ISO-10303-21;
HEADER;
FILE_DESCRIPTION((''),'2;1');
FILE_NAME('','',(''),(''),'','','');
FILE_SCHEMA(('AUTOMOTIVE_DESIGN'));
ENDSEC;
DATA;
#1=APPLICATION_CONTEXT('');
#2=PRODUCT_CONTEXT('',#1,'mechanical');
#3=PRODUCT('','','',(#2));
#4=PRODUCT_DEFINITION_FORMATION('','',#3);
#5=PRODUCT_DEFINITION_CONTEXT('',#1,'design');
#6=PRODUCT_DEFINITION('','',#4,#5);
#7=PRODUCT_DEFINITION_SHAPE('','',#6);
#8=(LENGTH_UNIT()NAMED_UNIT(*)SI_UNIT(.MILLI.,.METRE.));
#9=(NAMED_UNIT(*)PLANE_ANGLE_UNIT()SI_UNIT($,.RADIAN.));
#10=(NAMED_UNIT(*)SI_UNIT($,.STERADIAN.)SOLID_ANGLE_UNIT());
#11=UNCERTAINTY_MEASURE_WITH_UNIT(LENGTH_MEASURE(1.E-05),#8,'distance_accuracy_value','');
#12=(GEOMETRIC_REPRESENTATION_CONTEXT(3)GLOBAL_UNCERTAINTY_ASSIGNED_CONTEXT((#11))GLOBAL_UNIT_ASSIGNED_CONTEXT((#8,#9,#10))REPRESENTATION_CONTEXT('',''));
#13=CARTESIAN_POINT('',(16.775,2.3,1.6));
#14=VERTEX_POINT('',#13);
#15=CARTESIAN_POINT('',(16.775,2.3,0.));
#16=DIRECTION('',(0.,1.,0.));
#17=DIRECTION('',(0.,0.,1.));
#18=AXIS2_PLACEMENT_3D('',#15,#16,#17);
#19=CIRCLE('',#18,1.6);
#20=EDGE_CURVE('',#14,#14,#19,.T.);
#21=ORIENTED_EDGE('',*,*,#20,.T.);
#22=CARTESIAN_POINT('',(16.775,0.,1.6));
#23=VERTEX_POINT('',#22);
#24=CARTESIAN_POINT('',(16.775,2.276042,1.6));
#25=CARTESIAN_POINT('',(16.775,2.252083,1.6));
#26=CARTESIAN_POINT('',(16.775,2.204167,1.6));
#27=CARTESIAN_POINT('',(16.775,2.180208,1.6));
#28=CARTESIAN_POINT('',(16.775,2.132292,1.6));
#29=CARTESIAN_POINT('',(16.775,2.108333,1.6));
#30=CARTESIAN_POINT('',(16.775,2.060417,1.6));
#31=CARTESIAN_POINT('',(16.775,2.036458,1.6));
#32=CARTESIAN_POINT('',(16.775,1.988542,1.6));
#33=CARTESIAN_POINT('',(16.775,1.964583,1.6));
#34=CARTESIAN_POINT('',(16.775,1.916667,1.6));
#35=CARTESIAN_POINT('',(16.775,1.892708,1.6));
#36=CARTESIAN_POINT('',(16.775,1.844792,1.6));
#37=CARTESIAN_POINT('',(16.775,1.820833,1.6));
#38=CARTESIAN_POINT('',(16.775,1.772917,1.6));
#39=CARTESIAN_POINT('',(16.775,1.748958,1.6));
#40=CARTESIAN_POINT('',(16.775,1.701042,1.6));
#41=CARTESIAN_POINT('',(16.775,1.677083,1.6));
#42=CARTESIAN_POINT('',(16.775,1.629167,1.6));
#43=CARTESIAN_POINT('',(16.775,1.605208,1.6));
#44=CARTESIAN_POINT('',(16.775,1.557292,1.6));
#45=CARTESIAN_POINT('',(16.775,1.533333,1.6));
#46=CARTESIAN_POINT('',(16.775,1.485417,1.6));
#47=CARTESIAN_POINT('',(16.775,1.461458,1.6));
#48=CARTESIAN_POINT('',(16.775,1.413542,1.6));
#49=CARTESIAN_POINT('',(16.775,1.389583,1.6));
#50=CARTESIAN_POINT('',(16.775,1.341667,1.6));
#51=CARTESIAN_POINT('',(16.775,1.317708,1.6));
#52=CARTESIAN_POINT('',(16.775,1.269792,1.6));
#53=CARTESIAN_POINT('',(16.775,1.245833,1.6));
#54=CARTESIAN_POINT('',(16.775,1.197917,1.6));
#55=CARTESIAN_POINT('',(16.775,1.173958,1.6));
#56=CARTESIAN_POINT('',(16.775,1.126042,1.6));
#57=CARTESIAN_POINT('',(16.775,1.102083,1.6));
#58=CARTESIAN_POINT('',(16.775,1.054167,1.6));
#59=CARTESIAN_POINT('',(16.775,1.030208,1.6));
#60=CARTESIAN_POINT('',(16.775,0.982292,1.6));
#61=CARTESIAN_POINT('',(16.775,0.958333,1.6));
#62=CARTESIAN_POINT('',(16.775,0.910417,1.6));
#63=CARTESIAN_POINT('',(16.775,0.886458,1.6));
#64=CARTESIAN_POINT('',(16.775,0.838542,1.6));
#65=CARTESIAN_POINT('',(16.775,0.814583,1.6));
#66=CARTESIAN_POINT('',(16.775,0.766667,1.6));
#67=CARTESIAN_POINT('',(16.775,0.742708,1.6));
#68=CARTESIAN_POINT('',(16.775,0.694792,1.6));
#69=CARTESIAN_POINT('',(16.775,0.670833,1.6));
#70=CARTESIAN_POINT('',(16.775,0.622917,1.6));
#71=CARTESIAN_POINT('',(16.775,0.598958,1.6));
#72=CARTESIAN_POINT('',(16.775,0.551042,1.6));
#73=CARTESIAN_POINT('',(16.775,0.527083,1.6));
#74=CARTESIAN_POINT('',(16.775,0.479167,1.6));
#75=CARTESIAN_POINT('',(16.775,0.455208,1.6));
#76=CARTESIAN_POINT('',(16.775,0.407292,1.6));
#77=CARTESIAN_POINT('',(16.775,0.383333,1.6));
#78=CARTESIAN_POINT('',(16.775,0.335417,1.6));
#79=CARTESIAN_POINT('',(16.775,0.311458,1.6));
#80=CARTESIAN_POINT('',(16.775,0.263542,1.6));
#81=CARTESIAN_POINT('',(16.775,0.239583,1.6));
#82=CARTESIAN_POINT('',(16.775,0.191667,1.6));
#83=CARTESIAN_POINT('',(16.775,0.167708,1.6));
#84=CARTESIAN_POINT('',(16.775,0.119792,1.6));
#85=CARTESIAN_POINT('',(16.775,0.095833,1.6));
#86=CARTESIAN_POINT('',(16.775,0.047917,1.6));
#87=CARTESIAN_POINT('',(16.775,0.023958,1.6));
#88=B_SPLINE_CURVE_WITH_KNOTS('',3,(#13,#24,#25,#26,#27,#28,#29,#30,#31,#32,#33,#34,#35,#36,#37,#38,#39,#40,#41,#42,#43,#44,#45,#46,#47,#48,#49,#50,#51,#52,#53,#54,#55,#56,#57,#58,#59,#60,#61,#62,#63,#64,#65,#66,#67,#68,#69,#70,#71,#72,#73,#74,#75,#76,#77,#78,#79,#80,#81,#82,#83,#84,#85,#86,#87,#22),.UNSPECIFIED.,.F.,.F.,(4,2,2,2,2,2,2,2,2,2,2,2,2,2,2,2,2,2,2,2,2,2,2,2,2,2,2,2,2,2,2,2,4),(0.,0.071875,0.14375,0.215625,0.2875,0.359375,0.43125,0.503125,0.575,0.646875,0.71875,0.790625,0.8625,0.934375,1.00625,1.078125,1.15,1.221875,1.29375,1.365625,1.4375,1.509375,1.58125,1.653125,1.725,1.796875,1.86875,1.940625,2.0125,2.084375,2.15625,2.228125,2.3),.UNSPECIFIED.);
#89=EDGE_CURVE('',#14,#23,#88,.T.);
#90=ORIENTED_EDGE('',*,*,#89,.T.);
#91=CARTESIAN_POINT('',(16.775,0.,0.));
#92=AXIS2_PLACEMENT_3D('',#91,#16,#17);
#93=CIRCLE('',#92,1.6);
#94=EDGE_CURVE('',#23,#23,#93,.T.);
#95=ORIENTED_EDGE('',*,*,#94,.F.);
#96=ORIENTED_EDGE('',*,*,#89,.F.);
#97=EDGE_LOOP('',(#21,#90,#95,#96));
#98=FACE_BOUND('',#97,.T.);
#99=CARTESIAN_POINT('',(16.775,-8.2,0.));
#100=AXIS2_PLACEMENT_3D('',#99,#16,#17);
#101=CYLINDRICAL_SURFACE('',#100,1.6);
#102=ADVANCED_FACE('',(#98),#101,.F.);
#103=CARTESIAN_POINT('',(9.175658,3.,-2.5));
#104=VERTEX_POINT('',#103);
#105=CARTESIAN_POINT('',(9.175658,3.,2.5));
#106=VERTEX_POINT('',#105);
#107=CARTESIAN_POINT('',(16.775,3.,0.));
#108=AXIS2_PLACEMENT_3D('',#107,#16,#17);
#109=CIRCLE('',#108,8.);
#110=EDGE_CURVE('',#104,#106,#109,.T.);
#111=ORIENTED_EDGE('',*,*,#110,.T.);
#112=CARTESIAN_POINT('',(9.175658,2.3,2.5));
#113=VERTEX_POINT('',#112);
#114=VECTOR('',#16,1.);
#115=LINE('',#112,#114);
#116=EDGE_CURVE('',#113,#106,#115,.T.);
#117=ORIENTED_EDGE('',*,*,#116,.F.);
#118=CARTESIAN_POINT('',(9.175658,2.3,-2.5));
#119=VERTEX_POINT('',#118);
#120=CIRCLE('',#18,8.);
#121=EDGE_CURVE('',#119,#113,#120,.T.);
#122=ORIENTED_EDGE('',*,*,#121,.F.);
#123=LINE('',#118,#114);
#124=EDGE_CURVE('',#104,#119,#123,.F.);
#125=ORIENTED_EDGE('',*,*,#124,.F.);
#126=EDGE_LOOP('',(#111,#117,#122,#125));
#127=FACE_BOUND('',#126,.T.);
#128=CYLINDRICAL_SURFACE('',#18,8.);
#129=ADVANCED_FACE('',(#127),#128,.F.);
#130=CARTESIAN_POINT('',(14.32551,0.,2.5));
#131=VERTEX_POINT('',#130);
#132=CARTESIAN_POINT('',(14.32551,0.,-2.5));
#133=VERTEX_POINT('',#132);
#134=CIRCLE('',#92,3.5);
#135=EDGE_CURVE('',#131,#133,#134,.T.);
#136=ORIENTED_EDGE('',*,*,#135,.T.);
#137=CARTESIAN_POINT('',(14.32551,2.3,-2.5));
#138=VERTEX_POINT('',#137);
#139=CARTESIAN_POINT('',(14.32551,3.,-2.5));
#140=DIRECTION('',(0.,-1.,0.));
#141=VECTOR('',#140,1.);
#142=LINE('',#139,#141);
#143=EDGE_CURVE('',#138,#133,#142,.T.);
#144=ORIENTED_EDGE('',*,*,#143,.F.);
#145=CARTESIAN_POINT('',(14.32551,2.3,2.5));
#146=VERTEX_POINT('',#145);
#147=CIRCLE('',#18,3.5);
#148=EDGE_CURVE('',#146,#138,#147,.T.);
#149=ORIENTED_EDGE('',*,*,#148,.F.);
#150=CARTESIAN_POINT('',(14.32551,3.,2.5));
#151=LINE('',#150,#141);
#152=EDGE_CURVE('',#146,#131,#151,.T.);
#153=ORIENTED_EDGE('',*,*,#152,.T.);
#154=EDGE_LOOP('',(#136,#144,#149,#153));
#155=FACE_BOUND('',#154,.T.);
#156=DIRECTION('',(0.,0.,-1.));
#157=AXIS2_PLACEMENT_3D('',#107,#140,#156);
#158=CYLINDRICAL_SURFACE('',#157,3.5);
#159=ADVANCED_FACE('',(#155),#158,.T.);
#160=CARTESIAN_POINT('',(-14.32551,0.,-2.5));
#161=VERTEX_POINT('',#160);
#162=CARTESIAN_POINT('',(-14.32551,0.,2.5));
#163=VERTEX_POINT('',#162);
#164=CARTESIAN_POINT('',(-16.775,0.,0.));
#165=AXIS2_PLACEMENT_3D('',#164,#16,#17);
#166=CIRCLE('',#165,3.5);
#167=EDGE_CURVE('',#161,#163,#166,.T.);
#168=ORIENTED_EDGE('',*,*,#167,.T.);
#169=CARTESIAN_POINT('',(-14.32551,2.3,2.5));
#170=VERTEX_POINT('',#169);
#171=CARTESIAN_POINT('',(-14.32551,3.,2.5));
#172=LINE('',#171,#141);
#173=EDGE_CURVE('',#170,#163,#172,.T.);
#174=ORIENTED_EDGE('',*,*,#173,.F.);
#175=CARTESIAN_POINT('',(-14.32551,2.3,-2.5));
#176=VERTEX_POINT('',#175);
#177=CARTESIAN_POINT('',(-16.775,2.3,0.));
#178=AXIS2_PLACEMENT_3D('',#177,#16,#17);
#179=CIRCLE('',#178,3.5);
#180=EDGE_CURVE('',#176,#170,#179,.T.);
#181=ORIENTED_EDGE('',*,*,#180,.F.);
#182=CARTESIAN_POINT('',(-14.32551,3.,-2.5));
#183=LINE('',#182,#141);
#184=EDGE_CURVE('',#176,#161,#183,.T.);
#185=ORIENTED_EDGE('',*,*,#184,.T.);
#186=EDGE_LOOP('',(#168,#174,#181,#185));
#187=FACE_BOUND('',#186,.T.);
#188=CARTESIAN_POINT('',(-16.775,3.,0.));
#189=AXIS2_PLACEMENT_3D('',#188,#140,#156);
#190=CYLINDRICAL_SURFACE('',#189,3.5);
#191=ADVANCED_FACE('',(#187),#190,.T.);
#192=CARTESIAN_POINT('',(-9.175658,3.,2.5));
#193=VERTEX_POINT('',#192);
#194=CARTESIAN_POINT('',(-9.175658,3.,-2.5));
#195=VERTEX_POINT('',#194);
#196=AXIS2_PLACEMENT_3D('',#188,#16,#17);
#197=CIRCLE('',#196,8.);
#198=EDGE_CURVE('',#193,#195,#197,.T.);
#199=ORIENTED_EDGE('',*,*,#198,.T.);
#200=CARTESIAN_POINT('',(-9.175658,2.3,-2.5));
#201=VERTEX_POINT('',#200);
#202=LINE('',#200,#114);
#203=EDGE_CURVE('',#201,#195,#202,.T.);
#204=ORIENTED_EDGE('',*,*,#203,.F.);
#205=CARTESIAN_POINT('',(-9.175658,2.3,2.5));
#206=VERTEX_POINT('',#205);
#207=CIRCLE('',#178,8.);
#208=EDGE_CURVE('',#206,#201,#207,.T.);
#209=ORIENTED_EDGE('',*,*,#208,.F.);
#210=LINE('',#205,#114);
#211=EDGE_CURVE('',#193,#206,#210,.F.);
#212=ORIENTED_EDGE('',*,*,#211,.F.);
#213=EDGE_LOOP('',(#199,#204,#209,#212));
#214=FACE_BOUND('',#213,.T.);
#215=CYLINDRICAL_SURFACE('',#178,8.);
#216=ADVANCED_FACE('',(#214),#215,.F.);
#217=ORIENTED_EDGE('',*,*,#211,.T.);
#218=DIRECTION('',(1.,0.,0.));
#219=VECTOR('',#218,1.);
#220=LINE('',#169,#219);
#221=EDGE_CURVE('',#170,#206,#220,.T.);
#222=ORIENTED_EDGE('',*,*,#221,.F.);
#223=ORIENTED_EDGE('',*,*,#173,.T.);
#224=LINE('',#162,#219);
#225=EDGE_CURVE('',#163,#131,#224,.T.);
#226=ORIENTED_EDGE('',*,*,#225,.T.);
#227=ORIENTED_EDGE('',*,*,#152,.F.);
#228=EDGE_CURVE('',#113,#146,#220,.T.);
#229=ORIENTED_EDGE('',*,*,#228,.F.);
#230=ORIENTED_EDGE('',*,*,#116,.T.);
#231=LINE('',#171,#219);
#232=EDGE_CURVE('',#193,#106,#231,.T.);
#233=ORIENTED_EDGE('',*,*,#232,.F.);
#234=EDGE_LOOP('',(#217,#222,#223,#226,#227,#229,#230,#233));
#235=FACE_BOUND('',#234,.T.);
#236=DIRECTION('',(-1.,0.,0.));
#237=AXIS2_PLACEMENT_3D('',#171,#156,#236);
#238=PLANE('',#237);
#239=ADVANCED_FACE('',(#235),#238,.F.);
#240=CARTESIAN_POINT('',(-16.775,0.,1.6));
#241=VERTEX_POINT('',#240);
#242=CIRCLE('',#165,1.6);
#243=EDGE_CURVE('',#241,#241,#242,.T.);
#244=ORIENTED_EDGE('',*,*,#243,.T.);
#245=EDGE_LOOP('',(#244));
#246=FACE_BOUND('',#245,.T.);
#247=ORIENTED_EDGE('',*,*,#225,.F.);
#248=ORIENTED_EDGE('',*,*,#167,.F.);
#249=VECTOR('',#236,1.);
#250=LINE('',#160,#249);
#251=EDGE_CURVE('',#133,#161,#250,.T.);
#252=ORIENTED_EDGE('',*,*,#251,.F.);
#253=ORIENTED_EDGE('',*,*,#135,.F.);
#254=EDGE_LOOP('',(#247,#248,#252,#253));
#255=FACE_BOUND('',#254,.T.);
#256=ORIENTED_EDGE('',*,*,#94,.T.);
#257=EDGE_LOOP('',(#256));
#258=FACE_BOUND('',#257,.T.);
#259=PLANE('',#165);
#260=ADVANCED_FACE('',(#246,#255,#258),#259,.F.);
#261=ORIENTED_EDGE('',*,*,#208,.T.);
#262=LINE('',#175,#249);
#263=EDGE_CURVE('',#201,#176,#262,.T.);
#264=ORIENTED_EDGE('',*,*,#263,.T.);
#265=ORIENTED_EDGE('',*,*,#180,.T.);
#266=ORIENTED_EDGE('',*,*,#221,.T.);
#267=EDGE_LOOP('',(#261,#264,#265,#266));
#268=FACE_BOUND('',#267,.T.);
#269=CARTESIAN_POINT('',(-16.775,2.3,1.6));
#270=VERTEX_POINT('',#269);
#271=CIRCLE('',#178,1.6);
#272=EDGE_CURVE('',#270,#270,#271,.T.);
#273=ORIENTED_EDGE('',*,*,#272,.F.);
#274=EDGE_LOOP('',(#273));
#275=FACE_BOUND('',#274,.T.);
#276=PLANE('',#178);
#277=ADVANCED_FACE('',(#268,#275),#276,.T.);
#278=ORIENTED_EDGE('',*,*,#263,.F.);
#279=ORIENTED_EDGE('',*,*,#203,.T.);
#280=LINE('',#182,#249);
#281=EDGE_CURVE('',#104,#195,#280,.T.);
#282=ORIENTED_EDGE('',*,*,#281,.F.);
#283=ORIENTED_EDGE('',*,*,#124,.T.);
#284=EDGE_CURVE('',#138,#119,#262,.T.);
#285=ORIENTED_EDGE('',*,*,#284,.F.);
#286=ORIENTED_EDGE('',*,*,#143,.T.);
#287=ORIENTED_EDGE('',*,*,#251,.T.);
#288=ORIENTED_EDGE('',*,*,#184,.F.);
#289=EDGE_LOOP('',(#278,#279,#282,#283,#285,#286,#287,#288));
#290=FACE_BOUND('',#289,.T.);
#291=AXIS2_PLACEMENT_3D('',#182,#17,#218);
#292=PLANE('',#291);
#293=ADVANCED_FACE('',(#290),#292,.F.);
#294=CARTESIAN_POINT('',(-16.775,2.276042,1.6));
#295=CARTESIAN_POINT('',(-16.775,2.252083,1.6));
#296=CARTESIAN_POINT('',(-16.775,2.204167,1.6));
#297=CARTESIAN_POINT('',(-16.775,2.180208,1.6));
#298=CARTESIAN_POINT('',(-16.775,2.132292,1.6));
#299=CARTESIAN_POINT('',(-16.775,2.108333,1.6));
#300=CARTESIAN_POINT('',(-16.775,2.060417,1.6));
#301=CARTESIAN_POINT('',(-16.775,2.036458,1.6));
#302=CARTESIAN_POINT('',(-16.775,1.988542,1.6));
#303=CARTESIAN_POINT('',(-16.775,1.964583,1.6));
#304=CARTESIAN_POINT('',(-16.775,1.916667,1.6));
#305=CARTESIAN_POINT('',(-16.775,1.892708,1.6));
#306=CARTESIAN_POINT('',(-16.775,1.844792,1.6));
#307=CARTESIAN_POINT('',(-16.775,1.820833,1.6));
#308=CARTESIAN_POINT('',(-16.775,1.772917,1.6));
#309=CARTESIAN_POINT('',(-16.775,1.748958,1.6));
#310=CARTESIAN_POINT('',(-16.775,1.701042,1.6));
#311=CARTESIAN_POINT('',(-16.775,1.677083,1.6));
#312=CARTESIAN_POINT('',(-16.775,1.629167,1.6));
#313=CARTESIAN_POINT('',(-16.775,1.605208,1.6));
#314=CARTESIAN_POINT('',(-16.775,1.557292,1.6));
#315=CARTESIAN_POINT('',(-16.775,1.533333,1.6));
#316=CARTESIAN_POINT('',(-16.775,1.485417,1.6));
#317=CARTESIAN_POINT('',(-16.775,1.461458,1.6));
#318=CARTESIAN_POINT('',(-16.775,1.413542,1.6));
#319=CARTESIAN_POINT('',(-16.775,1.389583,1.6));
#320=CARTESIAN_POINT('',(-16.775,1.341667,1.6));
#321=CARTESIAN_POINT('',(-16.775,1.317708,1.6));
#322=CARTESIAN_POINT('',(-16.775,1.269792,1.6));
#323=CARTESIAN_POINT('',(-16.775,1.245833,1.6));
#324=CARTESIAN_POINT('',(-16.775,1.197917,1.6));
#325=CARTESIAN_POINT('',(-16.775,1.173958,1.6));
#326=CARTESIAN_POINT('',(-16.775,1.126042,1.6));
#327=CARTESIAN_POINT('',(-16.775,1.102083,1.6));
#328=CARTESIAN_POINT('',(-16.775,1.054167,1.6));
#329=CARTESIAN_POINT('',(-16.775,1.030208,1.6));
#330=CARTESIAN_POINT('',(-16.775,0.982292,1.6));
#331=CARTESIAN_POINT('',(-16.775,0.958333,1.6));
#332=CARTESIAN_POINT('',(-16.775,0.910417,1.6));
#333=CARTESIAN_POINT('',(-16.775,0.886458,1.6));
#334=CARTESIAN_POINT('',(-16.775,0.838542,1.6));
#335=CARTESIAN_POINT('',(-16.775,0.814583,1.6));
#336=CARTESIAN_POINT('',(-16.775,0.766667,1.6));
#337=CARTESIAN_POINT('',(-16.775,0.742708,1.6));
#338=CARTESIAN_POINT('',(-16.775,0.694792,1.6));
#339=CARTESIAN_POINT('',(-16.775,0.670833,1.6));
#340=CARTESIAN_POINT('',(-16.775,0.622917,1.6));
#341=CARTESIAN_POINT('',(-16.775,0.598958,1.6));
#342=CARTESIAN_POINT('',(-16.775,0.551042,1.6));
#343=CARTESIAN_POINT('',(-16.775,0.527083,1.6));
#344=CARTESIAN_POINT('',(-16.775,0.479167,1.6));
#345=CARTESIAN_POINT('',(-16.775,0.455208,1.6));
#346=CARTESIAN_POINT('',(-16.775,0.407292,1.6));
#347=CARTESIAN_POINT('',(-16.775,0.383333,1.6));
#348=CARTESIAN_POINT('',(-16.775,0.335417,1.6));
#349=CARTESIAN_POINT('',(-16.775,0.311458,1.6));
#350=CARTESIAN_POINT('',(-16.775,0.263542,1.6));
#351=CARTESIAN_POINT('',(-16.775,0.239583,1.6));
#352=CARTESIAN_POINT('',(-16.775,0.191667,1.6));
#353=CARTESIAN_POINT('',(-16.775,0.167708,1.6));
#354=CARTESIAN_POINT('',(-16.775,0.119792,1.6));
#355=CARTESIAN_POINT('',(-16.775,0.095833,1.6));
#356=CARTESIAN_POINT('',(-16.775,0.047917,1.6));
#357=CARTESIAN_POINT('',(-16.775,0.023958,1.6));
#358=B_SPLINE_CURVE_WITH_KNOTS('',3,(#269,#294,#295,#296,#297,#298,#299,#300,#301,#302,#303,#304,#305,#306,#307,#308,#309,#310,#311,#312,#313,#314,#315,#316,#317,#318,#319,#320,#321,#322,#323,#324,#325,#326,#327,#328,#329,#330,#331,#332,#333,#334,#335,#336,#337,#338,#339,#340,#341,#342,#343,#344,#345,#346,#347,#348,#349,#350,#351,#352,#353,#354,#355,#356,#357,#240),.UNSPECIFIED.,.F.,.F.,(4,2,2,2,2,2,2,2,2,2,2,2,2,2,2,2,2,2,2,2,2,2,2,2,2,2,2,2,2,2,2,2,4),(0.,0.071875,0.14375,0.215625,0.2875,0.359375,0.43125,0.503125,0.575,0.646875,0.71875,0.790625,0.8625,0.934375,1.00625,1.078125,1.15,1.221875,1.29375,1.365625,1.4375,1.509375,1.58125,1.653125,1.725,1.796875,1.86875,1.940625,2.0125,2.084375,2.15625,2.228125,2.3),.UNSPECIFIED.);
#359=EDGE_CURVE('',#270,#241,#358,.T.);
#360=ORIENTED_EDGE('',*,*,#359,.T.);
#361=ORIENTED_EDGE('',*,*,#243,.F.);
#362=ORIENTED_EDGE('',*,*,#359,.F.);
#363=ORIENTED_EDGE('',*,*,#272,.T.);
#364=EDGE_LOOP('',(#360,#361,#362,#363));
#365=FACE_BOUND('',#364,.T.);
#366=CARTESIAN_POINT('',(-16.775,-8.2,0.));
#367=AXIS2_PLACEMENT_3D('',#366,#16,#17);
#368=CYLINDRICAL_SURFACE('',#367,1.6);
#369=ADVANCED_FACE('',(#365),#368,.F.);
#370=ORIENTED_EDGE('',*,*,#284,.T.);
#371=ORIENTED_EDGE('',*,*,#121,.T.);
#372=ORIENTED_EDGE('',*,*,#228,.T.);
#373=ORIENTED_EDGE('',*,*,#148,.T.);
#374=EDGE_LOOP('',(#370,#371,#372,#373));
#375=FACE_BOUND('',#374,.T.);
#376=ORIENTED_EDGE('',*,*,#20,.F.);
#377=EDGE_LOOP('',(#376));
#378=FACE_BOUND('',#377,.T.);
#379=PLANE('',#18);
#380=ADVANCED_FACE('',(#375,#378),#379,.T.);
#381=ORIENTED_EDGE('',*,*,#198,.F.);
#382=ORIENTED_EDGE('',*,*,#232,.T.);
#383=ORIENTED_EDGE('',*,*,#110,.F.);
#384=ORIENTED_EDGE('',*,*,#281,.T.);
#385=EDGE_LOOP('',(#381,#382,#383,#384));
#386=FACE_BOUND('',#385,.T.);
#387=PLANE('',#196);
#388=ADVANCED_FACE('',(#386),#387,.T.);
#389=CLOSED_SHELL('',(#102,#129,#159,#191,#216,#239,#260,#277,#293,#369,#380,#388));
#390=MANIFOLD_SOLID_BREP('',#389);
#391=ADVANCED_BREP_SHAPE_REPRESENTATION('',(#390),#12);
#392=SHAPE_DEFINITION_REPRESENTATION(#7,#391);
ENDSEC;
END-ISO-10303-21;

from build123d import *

# Parameters (mm, degrees)
SKETCH1_R           = 1.5
BOSS_EXTRUDE1_DEPTH = 3
SKETCH2_R           = 8
CUT_EXTRUDE1_DEPTH  = 0.7
SKETCH3_R           = 1.6
CUT_EXTRUDE3_DEPTH  = 10.5


with BuildPart() as part:
    # Sketch1 → Boss-Extrude1 (new body)
    with BuildSketch(Plane(origin=(0, 0, 0), x_dir=(1, 0, 0), z_dir=(0, 1, 0))):
        with BuildLine():
            Line((-14.325510257, -2.5), (14.325510257, -2.5))
            ThreePointArc((14.325510257, -2.5), (20.275, 0), (14.325510257, 2.5))
            Line((14.325510257, 2.5), (-14.325510257, 2.5))
            ThreePointArc((-14.325510257, 2.5), (-20.275, 0), (-14.325510257, -2.5))
        make_face()
        with Locations(Location((16.775, 0, 0), (0, 0, 270))):
            Circle(SKETCH1_R, mode=Mode.SUBTRACT)
        with Locations(Location((-16.775, 0, 0), (0, 0, 270))):
            Circle(SKETCH1_R, mode=Mode.SUBTRACT)
    extrude(amount=BOSS_EXTRUDE1_DEPTH)

    # Sketch2 → Cut-Extrude1 (cut)
    with BuildSketch(Plane(origin=(0, 3, 0), x_dir=(1, 0, 0), z_dir=(0, 1, 0))):
        with Locations((-16.775, 0)):
            Circle(SKETCH2_R)
        with Locations((16.775, 0)):
            Circle(SKETCH2_R)
    extrude(amount=-CUT_EXTRUDE1_DEPTH, mode=Mode.SUBTRACT)

    # Sketch3 → Cut-Extrude3 (cut)
    with BuildSketch(Plane(origin=(0, 2.3, 0), x_dir=(1, 0, 0), z_dir=(0, 1, 0))):
        with Locations(Location((-16.775, 0, 0), (0, 0, 270))):
            Circle(SKETCH3_R)
        with Locations(Location((16.775, 0, 0), (0, 0, 270))):
            Circle(SKETCH3_R)
    extrude(amount=-CUT_EXTRUDE3_DEPTH, mode=Mode.SUBTRACT)


solid = part.part
